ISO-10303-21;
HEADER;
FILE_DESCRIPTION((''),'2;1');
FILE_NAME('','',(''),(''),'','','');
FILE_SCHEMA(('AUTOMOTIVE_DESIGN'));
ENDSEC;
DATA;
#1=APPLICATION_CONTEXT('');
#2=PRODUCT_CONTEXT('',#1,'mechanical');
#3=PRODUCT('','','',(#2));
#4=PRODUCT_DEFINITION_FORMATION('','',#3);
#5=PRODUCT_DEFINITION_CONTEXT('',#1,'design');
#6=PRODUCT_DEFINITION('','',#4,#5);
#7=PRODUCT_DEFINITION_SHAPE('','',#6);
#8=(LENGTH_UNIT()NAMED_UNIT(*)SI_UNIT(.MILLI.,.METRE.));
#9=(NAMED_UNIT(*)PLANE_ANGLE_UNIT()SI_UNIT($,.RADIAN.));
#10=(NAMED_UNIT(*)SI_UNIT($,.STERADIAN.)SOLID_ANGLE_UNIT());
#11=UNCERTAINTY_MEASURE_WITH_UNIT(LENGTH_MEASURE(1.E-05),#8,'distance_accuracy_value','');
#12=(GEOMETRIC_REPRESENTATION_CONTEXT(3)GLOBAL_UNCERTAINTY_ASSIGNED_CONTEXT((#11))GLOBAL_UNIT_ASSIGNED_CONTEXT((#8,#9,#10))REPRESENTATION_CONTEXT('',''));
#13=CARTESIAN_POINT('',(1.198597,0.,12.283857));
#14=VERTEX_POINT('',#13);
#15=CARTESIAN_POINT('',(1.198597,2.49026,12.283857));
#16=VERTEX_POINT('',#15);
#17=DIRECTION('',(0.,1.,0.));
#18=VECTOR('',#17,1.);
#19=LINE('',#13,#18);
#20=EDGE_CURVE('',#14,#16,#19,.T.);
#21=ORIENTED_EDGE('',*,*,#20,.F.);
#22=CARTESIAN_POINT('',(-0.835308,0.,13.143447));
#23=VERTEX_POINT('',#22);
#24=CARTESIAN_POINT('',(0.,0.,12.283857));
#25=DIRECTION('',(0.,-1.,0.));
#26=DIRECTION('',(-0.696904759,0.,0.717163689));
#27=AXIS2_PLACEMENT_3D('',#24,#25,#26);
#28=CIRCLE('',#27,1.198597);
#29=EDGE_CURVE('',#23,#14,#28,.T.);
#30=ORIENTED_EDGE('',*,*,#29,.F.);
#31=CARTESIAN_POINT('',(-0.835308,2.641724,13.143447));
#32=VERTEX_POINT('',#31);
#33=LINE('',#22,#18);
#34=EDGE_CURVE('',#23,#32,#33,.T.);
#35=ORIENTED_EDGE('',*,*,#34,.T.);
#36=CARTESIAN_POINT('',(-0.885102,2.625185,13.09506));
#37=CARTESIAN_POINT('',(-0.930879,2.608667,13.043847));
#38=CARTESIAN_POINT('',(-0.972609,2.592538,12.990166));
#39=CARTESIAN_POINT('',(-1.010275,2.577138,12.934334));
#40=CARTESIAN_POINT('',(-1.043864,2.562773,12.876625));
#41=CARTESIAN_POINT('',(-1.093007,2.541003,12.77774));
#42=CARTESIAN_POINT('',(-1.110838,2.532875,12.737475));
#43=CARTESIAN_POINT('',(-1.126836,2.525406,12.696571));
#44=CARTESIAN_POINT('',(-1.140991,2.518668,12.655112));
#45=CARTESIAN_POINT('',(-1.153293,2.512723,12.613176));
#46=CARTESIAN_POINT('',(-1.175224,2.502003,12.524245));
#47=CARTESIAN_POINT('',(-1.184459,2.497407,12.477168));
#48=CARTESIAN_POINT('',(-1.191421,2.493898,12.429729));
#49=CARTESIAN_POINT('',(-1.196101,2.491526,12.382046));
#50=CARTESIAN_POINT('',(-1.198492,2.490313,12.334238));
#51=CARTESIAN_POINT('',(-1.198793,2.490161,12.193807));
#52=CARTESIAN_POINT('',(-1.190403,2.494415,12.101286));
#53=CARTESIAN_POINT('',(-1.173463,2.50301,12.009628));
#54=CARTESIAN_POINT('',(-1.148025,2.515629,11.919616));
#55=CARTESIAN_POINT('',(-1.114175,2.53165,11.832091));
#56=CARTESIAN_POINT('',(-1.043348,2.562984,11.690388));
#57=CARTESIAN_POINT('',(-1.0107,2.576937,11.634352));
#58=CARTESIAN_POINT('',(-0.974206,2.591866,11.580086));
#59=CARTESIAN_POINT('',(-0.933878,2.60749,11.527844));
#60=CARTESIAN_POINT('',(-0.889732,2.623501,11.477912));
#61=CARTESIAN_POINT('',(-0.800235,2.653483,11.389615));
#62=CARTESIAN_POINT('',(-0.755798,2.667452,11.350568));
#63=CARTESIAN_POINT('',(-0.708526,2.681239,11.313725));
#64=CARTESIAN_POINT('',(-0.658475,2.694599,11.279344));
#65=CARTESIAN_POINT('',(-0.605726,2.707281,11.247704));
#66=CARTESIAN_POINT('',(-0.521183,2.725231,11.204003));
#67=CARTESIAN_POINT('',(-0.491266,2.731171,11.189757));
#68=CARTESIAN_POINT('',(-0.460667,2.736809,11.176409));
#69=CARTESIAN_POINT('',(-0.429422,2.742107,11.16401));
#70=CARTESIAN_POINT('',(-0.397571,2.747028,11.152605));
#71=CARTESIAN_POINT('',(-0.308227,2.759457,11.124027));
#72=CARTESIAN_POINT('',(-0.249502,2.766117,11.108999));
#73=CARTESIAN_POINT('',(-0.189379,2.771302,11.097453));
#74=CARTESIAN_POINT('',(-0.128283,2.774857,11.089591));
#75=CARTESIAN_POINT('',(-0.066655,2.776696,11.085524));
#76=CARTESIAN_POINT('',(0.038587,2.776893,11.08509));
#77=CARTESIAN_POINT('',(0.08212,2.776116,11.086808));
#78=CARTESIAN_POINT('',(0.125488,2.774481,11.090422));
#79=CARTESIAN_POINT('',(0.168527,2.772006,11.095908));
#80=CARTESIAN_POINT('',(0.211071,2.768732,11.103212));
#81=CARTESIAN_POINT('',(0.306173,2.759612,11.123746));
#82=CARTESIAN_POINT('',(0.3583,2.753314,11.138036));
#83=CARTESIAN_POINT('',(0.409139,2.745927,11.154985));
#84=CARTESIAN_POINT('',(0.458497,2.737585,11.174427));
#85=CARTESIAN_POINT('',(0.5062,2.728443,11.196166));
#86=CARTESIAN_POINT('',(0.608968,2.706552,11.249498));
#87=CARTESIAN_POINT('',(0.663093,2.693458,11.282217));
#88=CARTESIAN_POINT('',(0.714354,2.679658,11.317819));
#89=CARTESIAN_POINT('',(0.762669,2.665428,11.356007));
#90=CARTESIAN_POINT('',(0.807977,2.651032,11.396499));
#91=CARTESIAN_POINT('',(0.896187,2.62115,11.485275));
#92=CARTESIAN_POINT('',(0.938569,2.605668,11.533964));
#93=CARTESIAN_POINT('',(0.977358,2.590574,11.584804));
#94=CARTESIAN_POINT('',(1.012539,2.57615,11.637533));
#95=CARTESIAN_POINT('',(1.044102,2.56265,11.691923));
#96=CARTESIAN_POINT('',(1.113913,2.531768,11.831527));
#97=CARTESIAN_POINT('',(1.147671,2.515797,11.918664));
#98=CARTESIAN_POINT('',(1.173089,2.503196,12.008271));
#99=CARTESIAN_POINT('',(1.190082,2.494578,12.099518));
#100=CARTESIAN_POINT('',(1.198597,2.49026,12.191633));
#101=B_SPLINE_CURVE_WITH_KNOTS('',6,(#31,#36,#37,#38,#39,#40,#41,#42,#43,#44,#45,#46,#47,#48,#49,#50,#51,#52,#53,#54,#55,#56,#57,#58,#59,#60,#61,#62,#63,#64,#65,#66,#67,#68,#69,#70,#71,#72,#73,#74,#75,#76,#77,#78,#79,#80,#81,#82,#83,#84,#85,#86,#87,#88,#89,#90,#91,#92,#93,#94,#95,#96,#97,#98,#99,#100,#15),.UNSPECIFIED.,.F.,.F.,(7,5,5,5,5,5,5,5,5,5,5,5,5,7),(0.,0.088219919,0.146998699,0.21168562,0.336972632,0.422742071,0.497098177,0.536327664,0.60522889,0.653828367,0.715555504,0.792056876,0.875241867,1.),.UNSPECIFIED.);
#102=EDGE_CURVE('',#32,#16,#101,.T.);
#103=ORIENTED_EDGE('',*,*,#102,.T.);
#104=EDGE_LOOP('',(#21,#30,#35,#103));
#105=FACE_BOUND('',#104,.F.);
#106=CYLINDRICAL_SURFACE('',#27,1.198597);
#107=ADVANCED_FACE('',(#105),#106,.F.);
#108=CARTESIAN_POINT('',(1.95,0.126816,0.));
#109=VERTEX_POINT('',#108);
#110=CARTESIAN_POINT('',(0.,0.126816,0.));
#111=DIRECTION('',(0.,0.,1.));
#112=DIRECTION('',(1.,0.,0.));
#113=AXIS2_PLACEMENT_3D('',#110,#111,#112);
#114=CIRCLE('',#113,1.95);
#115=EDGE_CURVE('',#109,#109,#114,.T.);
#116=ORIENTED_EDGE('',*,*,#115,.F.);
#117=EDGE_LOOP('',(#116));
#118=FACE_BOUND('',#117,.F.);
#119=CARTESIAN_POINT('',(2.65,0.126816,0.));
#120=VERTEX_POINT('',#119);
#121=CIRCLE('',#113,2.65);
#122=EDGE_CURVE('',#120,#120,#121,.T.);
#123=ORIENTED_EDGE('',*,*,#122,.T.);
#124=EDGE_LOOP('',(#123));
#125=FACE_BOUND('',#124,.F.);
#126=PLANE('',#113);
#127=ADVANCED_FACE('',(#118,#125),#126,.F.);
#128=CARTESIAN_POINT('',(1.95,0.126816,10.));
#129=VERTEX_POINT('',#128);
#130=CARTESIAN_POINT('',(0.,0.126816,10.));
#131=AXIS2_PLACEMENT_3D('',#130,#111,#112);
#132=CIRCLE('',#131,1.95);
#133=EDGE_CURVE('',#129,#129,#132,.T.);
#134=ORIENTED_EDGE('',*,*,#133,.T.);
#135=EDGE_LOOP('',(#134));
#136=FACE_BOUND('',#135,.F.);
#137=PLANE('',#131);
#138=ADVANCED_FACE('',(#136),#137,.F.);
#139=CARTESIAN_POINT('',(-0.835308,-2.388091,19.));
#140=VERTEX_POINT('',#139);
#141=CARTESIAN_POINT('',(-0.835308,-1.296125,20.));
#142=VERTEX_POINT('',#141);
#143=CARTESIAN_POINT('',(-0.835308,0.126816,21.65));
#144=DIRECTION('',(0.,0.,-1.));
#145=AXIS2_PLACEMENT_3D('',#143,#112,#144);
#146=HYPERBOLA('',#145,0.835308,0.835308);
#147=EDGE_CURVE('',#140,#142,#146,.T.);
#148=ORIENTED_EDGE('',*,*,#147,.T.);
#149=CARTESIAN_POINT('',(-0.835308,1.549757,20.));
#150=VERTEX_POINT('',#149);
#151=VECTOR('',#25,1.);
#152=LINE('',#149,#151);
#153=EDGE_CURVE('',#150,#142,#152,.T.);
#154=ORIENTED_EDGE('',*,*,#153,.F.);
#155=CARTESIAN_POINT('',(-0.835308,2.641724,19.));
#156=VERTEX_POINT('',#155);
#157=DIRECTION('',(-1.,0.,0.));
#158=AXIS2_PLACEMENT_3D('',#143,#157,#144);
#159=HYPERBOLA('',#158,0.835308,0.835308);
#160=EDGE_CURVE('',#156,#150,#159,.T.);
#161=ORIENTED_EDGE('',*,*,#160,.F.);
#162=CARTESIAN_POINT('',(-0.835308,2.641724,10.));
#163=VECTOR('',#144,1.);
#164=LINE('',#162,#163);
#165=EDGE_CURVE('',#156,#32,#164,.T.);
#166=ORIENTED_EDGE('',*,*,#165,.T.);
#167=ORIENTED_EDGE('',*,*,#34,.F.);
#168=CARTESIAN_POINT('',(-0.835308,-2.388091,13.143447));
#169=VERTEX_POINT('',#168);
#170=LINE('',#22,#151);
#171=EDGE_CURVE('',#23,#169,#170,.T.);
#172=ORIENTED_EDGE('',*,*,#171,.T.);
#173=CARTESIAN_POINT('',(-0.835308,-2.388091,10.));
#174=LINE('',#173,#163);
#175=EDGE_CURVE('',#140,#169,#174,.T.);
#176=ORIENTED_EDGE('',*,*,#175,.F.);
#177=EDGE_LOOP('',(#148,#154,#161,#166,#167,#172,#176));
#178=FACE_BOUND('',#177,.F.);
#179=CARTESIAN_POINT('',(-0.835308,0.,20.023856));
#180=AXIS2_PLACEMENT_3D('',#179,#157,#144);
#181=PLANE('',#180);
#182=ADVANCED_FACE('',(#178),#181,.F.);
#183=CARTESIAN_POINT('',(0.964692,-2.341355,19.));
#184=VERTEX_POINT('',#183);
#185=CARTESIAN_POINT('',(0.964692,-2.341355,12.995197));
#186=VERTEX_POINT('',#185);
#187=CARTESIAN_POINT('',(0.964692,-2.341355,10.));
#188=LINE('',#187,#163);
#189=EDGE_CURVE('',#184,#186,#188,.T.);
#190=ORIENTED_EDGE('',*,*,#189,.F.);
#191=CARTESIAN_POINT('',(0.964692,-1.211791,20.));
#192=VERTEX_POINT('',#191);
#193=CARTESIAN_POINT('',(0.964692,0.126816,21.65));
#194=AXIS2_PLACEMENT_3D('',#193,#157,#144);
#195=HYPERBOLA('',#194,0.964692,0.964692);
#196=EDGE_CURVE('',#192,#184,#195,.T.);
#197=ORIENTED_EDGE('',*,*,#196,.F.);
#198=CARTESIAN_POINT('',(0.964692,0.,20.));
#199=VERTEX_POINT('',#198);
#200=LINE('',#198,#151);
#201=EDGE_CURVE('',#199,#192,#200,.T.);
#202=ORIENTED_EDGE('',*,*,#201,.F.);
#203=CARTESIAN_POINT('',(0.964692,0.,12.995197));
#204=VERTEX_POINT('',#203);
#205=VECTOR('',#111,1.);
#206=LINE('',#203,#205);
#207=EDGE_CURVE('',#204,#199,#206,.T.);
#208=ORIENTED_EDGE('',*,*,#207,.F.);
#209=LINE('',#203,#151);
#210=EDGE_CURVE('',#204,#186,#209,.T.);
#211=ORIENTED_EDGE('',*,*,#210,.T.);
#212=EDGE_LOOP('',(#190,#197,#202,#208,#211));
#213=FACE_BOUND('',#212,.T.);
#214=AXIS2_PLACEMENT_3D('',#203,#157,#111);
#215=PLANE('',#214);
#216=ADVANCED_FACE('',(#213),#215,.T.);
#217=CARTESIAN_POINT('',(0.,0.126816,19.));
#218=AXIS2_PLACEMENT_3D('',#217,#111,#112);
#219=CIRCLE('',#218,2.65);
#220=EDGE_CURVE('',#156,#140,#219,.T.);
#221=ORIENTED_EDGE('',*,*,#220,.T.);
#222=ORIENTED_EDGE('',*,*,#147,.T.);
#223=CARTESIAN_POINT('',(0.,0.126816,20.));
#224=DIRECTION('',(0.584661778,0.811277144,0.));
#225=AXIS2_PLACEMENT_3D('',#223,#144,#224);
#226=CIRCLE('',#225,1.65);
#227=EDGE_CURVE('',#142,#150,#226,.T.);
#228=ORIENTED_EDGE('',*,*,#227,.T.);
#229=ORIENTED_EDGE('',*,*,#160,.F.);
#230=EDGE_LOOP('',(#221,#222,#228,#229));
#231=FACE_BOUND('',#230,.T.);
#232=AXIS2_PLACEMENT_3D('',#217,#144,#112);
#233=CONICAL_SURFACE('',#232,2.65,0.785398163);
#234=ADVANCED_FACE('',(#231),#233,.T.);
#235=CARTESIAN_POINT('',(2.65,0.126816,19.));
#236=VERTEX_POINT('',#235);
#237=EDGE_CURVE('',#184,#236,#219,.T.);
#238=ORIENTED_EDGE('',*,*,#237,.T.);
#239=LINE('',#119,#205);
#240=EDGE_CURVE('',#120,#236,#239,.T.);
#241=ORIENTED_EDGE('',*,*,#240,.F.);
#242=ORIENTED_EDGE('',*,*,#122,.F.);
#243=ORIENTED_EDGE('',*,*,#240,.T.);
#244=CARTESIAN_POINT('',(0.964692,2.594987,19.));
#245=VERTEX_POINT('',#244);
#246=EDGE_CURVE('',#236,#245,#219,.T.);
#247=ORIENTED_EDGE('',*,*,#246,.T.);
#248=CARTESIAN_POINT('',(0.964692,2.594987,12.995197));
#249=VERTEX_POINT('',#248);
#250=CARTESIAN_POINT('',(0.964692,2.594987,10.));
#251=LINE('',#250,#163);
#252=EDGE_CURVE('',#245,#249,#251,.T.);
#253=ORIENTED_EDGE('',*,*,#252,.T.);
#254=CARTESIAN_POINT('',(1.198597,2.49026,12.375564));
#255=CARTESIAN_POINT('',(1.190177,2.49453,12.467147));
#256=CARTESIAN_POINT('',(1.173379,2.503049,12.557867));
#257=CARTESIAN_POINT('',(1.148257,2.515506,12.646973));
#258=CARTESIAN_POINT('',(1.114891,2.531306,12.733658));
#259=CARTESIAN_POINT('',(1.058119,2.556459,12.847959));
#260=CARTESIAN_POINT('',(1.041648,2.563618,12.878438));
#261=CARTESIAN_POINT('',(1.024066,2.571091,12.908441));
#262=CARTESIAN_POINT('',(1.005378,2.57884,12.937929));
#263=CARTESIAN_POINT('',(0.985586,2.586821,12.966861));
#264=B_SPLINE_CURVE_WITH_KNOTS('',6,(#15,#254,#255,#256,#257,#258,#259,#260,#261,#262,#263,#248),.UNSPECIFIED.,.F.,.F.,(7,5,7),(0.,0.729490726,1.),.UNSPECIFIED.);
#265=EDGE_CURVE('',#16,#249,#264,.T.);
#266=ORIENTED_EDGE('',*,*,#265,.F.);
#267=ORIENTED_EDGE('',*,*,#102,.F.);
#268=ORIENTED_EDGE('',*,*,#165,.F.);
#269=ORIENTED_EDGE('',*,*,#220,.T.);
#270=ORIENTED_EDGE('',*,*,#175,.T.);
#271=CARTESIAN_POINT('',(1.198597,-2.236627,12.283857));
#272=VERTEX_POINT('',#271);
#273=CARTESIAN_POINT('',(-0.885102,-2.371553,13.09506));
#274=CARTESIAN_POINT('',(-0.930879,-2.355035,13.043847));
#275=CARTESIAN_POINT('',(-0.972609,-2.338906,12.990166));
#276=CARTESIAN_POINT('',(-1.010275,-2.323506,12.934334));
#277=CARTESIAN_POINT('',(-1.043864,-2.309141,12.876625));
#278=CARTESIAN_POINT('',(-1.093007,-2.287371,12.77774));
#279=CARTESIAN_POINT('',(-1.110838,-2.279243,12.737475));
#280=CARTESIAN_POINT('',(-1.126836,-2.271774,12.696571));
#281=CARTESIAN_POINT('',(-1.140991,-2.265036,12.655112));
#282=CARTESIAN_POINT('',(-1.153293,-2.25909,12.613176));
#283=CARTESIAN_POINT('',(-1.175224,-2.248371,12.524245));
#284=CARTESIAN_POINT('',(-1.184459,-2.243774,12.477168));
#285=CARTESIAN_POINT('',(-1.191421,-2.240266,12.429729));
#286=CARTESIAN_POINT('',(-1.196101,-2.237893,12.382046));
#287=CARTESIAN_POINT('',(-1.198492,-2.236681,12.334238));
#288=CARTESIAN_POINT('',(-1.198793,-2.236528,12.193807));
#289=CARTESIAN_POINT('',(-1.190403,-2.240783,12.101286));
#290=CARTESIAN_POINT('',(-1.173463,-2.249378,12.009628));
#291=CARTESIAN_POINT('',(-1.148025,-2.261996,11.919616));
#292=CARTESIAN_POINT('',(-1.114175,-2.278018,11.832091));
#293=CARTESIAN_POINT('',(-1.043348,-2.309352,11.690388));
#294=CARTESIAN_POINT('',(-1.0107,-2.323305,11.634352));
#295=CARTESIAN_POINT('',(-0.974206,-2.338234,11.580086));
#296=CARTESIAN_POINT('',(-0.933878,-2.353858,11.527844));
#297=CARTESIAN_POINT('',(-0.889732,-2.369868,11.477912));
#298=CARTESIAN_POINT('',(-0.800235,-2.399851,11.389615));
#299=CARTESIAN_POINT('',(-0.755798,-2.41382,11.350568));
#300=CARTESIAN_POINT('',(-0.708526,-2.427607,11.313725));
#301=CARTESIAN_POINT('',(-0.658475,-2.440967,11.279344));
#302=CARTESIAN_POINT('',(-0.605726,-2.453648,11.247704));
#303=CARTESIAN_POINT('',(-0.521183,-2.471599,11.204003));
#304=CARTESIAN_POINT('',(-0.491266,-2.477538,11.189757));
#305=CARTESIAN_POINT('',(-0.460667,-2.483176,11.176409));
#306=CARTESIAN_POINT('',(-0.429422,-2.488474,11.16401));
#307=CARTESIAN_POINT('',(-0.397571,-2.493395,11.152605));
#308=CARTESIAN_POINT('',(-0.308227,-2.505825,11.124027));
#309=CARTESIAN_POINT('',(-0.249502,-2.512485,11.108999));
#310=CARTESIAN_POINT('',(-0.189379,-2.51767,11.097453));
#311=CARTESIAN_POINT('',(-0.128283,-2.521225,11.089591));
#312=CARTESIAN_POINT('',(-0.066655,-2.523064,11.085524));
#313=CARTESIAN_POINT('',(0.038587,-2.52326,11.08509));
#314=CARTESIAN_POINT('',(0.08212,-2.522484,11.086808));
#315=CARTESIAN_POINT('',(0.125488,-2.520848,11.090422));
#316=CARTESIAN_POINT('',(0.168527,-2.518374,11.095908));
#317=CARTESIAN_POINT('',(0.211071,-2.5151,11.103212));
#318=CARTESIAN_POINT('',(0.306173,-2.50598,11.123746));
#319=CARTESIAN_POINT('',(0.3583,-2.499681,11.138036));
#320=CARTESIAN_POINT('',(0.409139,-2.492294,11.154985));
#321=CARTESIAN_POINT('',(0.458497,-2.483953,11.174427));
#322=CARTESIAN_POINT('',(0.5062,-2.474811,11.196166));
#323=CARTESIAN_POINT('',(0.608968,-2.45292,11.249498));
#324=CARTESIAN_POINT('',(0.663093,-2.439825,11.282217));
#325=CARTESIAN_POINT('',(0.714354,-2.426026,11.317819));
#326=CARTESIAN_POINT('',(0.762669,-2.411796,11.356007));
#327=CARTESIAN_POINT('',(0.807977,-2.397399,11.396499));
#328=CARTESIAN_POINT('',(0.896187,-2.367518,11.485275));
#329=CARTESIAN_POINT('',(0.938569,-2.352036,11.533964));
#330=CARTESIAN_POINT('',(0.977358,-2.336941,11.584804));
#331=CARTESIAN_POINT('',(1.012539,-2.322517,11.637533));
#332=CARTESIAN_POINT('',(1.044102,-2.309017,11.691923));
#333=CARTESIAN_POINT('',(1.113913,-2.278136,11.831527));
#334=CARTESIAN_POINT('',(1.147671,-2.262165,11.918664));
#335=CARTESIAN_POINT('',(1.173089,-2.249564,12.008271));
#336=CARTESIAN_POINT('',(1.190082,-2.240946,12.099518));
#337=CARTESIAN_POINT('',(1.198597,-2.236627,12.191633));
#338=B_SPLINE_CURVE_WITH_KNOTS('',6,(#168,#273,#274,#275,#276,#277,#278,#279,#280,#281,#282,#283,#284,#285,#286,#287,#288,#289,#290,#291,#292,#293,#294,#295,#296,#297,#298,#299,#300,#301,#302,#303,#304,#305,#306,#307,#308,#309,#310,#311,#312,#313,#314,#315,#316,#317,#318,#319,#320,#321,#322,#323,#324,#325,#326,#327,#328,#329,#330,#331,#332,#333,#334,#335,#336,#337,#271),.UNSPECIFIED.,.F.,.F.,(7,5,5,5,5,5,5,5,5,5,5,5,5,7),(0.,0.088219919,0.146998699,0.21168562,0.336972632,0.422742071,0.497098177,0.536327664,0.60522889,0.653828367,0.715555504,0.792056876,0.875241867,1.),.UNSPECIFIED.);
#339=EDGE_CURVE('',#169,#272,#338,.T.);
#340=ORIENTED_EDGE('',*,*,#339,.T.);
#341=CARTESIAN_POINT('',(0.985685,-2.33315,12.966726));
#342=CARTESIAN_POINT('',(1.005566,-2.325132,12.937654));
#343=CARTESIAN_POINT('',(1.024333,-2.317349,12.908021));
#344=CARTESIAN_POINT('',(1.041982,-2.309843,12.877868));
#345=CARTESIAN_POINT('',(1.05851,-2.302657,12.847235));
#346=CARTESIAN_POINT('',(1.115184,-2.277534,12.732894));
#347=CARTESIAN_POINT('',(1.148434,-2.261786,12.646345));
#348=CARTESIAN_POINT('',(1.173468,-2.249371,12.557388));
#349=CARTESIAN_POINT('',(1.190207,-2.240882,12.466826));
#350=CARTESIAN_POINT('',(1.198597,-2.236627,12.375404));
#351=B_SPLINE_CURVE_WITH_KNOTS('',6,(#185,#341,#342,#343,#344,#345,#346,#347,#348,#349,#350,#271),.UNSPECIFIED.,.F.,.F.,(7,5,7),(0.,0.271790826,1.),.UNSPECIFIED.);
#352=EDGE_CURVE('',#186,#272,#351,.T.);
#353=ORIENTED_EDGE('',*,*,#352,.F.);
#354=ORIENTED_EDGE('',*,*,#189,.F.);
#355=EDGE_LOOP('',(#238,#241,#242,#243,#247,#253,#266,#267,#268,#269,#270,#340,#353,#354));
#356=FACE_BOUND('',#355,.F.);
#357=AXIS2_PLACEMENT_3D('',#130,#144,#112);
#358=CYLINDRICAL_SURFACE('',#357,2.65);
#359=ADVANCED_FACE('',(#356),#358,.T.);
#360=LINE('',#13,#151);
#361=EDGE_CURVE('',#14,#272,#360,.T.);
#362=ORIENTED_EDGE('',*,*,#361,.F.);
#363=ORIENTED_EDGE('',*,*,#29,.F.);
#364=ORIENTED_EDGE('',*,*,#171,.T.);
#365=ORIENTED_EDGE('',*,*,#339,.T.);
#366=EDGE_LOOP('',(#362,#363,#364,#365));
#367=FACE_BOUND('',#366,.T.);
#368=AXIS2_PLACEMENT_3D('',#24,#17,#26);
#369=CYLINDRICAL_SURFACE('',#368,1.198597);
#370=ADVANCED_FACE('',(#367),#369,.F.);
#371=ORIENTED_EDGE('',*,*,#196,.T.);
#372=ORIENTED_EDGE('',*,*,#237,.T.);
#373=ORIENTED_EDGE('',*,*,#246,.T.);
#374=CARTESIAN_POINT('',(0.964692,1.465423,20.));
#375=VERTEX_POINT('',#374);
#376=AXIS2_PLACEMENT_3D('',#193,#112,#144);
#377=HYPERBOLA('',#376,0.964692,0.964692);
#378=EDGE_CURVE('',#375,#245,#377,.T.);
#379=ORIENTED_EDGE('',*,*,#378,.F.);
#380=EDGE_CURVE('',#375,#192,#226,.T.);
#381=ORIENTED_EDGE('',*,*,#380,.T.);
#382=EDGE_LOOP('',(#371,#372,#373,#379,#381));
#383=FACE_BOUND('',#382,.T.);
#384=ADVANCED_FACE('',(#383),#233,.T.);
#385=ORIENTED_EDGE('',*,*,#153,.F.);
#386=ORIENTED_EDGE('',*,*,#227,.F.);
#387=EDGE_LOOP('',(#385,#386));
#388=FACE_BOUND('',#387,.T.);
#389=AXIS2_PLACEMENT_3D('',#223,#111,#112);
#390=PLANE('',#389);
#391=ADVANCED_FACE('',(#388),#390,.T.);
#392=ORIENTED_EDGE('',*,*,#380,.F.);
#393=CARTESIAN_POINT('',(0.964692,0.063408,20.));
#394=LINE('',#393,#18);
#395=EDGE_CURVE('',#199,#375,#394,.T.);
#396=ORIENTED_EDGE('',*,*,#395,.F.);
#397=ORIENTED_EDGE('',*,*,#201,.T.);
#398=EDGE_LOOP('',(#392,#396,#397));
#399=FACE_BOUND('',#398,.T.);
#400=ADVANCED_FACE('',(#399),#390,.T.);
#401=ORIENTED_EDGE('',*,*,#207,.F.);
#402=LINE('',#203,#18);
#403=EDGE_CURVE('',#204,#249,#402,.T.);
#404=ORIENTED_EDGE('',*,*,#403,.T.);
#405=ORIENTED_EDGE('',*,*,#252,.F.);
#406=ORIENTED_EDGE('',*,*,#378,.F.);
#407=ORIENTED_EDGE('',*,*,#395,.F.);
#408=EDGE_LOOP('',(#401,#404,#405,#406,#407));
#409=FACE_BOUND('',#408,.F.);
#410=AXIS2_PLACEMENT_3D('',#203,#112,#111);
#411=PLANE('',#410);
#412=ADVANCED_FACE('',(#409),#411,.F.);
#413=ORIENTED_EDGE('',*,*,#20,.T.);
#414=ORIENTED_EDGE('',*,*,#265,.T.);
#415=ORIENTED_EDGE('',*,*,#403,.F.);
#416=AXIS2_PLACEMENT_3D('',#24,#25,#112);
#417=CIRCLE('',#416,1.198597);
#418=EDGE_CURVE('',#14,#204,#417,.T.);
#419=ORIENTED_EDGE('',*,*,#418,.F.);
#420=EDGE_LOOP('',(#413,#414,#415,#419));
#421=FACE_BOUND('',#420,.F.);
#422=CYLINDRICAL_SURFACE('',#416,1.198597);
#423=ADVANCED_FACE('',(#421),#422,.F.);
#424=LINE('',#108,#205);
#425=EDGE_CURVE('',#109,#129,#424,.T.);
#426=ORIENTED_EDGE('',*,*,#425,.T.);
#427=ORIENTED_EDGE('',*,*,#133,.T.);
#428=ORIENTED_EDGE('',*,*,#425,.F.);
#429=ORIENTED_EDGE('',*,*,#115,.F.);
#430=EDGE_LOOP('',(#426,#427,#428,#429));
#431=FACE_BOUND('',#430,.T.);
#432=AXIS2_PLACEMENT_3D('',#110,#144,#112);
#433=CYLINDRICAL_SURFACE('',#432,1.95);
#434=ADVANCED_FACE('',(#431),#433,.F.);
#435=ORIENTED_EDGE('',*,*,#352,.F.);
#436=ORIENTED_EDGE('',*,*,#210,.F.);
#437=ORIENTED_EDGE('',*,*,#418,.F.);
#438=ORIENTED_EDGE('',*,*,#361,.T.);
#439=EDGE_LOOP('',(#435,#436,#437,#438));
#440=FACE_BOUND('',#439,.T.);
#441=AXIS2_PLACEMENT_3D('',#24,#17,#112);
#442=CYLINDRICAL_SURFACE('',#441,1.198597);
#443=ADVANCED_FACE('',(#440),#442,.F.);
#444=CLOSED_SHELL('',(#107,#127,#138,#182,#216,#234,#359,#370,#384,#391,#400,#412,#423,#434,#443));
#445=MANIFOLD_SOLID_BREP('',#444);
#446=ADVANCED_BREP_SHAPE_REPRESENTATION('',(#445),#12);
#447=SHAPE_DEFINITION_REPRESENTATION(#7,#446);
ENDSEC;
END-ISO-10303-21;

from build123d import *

# Parameters (mm, degrees)
F0_R     = 2.65
F0_R_2   = 1.95
F1_DEPTH = 10
F2_R     = 2.65
F3_DEPTH = 10
F4_SIZE  = 1
F6_DEPTH = 2.7778161572
F7_DEPTH = 2.5241839428


with BuildPart() as f1:
    # F0 (on Top) → F1 (new body)
    with BuildSketch(Plane.XY):
        with Locations((0, 0.1268161572)):
            Circle(F0_R)
        with Locations((0, 0.1268161572)):
            Circle(F0_R_2, mode=Mode.SUBTRACT)
    extrude(amount=F1_DEPTH)

    # F2 (on face) → F3 (join)
    with BuildSketch(Plane.XY.offset(10)):
        with Locations((0, 0.1268161572)):
            Circle(F2_R)
    extrude(amount=F3_DEPTH)

    # F4
    f4_edges = [f1.edges().sort_by_distance(p)[0] for p in [
        (-2.65, 0.126816, 20),
    ]]
    chamfer(f4_edges, length=F4_SIZE)

    # F5 (on Front) → F6 (cut, through all)
    with BuildSketch(Plane.XZ):
        with BuildLine():
            Line((-0.8353080657, 13.1434470012), (-0.8353080657, 12.2838566395))
            Line((-0.8353080657, 12.2838566395), (0.9646919343, 12.2838566395))
            Line((0.9646919343, 12.2838566395), (0.9646919343, 12.9951966612))
            ThreePointArc((0.9646919343, 12.9951966612), (0.0983848931, 13.4784090943), (-0.8353080657, 13.1434470012))
        make_face()
        with BuildLine():
            Line((0.9646919343, 12.2838566395), (-0.8353080657, 12.2838566395))
            Line((-0.8353080657, 12.2838566395), (-0.8353080657, 13.1434470012))
            ThreePointArc((-0.8353080657, 13.1434470012), (-0.4666032996, 11.1798111171), (1.1985971611, 12.2838566395))
            ThreePointArc((1.1985971611, 12.2838566395), (1.1386202546, 12.6582615946), (0.9646919343, 12.9951966612))
            Line((0.9646919343, 12.9951966612), (0.9646919343, 12.2838566395))
        make_face()
        with BuildLine():
            Line((-0.8353080657, 20.0238556888), (-0.8353080657, 13.1434470012))
            ThreePointArc((-0.8353080657, 13.1434470012), (0.0983848931, 13.4784090943), (0.9646919343, 12.9951966612))
            Line((0.9646919343, 12.9951966612), (0.9646919343, 20.0238556888))
            Line((0.9646919343, 20.0238556888), (-0.8353080657, 20.0238556888))
        make_face()
    extrude(amount=-F6_DEPTH, mode=Mode.SUBTRACT)

    # F7 (cut, through all): a face of the model
    f7_faces = [f1.faces().sort_by_distance(p)[0] for p in [
        (0.0489712617, 0, 15.4729630627),
    ]]
    extrude(f7_faces, amount=-F7_DEPTH, mode=Mode.SUBTRACT)


solid = f1.part
